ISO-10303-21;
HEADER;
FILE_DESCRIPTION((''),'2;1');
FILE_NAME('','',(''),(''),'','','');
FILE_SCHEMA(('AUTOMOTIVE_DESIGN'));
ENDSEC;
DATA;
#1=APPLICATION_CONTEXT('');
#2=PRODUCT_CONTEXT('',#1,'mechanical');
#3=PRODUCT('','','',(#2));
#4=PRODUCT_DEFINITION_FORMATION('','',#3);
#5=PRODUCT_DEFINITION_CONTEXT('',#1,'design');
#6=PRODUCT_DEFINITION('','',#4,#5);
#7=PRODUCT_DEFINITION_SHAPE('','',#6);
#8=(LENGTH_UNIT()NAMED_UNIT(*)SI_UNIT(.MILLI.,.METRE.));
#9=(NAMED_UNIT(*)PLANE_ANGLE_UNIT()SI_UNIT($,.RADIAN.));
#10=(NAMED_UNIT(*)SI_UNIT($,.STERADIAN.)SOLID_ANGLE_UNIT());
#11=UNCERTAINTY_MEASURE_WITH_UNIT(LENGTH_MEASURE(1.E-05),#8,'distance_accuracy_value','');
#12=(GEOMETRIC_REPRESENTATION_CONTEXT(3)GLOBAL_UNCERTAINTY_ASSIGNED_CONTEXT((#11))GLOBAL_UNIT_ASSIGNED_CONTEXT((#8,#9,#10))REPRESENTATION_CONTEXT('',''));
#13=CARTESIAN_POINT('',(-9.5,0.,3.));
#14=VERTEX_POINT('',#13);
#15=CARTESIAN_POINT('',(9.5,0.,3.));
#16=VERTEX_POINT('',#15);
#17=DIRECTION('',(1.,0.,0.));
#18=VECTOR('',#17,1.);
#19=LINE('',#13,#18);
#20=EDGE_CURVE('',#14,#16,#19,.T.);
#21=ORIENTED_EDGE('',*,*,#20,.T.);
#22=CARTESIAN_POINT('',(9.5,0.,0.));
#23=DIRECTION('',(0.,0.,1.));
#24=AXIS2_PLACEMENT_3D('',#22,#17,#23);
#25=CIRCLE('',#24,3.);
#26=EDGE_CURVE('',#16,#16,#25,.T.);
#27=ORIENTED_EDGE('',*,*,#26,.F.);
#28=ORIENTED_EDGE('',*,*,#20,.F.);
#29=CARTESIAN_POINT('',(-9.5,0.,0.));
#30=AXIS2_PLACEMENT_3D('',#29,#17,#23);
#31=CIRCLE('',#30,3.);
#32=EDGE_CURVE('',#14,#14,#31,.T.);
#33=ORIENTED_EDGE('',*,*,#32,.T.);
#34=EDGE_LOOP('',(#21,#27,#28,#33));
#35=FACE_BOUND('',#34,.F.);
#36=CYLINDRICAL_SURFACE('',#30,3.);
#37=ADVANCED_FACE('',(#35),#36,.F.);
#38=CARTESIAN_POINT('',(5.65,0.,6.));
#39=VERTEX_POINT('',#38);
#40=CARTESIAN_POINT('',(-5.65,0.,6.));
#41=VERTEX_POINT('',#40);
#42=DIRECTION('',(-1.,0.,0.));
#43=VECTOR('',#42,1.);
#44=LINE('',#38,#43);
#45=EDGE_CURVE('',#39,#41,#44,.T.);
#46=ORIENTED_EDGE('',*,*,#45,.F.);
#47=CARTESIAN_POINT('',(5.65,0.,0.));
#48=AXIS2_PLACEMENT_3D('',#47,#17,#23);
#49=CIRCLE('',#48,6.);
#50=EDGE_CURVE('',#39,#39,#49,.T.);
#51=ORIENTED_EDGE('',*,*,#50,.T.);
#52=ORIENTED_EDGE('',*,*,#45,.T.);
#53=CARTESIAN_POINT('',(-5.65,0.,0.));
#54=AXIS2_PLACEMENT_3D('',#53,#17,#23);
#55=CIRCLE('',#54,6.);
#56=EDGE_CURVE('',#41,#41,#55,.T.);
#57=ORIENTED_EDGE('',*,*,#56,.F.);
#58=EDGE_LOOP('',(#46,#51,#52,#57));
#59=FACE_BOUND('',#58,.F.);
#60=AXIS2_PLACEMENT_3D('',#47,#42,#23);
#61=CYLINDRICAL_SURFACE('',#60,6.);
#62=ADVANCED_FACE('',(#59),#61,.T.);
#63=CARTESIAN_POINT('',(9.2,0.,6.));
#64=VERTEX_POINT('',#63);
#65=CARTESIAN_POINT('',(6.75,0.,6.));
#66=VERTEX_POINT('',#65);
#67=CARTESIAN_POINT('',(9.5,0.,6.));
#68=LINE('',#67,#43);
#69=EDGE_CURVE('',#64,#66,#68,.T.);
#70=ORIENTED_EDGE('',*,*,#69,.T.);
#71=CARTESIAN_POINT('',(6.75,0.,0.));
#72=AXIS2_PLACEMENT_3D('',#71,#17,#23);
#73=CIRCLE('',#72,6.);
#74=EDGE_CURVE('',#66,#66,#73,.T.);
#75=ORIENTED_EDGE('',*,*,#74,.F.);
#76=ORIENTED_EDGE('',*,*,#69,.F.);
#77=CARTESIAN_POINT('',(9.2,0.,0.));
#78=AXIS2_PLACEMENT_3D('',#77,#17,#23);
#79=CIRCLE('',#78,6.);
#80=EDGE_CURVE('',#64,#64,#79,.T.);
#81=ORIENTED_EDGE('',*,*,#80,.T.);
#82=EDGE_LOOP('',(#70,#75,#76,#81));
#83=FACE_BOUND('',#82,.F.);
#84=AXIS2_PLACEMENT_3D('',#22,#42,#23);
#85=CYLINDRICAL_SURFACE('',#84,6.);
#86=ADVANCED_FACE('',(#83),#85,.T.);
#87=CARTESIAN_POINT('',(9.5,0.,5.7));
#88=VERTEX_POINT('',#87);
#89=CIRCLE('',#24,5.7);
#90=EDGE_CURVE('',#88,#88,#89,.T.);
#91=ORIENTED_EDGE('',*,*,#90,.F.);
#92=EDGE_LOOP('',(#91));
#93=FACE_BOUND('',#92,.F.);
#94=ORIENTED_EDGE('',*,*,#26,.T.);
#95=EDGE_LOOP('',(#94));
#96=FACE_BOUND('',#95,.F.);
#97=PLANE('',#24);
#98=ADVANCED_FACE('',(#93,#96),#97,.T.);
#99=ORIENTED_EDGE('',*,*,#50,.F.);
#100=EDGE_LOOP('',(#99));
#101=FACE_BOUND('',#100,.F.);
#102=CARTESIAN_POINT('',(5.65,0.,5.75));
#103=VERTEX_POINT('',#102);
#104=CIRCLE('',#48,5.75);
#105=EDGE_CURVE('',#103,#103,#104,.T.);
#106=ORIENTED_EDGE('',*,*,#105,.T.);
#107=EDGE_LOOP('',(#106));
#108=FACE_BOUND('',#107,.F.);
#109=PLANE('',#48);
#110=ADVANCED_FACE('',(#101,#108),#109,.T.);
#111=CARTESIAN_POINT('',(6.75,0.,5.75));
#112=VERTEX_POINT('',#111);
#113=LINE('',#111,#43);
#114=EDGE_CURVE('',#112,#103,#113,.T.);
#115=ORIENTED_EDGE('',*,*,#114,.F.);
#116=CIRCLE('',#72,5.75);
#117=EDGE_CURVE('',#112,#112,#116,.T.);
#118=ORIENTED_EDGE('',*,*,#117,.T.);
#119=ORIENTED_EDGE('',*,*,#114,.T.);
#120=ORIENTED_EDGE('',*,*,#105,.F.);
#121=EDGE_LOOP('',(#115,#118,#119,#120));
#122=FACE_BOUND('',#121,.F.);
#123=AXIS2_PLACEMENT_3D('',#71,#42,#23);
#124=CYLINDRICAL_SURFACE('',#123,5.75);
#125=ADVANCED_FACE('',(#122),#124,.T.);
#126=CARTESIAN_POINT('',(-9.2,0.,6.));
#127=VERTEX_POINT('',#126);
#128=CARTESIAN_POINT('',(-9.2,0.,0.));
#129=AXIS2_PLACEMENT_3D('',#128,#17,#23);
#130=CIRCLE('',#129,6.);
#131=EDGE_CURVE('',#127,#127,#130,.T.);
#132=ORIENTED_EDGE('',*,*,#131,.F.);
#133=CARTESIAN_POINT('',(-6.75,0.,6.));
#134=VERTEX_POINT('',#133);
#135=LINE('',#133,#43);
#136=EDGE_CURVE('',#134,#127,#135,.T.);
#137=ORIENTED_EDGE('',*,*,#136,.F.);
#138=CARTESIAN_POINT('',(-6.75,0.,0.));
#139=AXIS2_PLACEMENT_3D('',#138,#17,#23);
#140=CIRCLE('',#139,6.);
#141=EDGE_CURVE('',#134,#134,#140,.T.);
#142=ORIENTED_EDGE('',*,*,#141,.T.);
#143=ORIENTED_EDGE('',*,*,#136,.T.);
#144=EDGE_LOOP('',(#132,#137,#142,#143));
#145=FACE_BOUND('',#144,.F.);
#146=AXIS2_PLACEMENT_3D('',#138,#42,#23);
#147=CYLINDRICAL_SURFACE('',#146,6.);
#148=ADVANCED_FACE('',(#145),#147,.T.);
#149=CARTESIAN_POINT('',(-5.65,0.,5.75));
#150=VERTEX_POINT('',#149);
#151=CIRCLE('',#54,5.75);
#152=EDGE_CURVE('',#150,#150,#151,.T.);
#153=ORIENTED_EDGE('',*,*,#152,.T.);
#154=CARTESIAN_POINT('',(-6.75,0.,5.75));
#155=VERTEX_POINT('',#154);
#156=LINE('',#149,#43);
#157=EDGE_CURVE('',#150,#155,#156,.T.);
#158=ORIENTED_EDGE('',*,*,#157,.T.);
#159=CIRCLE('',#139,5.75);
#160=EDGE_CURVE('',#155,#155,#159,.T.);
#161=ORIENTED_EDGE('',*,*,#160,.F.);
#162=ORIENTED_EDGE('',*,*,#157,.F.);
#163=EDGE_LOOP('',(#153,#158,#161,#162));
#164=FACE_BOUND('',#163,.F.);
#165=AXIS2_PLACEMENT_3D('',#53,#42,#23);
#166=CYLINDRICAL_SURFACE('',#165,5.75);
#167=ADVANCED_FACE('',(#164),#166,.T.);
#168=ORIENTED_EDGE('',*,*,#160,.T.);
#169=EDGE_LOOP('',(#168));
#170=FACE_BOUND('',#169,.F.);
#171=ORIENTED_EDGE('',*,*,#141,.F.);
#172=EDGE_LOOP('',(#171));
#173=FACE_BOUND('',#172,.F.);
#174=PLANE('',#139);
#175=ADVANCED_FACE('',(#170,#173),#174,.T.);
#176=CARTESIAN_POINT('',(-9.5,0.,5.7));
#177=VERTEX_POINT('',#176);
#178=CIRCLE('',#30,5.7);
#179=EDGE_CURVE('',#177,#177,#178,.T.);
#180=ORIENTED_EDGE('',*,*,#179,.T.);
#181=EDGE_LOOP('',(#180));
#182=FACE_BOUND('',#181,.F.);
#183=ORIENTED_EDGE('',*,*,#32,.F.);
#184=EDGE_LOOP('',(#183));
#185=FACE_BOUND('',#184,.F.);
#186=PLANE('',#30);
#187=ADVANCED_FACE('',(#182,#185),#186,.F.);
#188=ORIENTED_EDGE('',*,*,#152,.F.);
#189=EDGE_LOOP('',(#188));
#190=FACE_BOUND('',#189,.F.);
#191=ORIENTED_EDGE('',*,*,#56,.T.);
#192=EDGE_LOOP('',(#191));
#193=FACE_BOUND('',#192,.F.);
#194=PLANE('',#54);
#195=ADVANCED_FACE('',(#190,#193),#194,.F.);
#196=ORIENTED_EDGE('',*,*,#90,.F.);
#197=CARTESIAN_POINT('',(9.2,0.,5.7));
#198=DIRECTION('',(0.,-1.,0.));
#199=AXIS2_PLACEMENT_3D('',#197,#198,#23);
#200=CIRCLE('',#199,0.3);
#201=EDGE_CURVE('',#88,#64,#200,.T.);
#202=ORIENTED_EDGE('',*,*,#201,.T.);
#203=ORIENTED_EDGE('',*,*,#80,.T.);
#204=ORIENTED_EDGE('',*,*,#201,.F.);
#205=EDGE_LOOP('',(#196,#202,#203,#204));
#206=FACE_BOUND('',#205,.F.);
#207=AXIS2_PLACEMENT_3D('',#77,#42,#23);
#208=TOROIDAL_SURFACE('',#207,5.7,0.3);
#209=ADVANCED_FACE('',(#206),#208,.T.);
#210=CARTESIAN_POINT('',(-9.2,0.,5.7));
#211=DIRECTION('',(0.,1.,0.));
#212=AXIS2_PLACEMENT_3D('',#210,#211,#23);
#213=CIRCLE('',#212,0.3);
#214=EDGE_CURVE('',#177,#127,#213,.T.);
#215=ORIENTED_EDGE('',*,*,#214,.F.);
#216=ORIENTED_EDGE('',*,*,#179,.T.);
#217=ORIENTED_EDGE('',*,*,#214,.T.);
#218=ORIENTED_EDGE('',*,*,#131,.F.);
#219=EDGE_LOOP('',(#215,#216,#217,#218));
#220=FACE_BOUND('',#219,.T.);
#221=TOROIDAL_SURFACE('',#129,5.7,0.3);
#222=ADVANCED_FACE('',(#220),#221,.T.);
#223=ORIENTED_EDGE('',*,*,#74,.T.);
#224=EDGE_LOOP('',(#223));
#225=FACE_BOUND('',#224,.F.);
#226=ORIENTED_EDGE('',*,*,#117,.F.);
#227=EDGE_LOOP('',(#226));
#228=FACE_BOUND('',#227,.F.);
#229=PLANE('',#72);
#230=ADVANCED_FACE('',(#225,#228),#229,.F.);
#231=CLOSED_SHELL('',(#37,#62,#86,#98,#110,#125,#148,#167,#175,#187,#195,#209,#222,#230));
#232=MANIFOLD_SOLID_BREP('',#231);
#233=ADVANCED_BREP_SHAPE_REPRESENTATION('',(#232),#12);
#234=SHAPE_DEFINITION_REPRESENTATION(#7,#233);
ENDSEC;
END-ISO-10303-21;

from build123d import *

# Parameters (mm, degrees)
F3_R = 0.3


with BuildPart() as f2:
    # F1 (on Front) → F2 (revolve)
    with BuildSketch(Plane.XZ):
        Polygon((-9.5, 6), (-9.5, 3), (9.5, 3), (9.5, 6), (6.75, 6), (6.75, 5.75), (5.65, 5.75), (5.65, 6), (-5.65, 6), (-5.65, 5.75), (-6.75, 5.75), (-6.75, 6), align=None)
    revolve(axis=Axis((0, 0, 0), (1, 0, 0)))

    # F3
    f3_edges = [f2.edges().sort_by_distance(p)[0] for p in [
        (-9.5, 0, -6),
        (9.5, 0, -6),
    ]]
    fillet(f3_edges, radius=F3_R)


solid = f2.part
